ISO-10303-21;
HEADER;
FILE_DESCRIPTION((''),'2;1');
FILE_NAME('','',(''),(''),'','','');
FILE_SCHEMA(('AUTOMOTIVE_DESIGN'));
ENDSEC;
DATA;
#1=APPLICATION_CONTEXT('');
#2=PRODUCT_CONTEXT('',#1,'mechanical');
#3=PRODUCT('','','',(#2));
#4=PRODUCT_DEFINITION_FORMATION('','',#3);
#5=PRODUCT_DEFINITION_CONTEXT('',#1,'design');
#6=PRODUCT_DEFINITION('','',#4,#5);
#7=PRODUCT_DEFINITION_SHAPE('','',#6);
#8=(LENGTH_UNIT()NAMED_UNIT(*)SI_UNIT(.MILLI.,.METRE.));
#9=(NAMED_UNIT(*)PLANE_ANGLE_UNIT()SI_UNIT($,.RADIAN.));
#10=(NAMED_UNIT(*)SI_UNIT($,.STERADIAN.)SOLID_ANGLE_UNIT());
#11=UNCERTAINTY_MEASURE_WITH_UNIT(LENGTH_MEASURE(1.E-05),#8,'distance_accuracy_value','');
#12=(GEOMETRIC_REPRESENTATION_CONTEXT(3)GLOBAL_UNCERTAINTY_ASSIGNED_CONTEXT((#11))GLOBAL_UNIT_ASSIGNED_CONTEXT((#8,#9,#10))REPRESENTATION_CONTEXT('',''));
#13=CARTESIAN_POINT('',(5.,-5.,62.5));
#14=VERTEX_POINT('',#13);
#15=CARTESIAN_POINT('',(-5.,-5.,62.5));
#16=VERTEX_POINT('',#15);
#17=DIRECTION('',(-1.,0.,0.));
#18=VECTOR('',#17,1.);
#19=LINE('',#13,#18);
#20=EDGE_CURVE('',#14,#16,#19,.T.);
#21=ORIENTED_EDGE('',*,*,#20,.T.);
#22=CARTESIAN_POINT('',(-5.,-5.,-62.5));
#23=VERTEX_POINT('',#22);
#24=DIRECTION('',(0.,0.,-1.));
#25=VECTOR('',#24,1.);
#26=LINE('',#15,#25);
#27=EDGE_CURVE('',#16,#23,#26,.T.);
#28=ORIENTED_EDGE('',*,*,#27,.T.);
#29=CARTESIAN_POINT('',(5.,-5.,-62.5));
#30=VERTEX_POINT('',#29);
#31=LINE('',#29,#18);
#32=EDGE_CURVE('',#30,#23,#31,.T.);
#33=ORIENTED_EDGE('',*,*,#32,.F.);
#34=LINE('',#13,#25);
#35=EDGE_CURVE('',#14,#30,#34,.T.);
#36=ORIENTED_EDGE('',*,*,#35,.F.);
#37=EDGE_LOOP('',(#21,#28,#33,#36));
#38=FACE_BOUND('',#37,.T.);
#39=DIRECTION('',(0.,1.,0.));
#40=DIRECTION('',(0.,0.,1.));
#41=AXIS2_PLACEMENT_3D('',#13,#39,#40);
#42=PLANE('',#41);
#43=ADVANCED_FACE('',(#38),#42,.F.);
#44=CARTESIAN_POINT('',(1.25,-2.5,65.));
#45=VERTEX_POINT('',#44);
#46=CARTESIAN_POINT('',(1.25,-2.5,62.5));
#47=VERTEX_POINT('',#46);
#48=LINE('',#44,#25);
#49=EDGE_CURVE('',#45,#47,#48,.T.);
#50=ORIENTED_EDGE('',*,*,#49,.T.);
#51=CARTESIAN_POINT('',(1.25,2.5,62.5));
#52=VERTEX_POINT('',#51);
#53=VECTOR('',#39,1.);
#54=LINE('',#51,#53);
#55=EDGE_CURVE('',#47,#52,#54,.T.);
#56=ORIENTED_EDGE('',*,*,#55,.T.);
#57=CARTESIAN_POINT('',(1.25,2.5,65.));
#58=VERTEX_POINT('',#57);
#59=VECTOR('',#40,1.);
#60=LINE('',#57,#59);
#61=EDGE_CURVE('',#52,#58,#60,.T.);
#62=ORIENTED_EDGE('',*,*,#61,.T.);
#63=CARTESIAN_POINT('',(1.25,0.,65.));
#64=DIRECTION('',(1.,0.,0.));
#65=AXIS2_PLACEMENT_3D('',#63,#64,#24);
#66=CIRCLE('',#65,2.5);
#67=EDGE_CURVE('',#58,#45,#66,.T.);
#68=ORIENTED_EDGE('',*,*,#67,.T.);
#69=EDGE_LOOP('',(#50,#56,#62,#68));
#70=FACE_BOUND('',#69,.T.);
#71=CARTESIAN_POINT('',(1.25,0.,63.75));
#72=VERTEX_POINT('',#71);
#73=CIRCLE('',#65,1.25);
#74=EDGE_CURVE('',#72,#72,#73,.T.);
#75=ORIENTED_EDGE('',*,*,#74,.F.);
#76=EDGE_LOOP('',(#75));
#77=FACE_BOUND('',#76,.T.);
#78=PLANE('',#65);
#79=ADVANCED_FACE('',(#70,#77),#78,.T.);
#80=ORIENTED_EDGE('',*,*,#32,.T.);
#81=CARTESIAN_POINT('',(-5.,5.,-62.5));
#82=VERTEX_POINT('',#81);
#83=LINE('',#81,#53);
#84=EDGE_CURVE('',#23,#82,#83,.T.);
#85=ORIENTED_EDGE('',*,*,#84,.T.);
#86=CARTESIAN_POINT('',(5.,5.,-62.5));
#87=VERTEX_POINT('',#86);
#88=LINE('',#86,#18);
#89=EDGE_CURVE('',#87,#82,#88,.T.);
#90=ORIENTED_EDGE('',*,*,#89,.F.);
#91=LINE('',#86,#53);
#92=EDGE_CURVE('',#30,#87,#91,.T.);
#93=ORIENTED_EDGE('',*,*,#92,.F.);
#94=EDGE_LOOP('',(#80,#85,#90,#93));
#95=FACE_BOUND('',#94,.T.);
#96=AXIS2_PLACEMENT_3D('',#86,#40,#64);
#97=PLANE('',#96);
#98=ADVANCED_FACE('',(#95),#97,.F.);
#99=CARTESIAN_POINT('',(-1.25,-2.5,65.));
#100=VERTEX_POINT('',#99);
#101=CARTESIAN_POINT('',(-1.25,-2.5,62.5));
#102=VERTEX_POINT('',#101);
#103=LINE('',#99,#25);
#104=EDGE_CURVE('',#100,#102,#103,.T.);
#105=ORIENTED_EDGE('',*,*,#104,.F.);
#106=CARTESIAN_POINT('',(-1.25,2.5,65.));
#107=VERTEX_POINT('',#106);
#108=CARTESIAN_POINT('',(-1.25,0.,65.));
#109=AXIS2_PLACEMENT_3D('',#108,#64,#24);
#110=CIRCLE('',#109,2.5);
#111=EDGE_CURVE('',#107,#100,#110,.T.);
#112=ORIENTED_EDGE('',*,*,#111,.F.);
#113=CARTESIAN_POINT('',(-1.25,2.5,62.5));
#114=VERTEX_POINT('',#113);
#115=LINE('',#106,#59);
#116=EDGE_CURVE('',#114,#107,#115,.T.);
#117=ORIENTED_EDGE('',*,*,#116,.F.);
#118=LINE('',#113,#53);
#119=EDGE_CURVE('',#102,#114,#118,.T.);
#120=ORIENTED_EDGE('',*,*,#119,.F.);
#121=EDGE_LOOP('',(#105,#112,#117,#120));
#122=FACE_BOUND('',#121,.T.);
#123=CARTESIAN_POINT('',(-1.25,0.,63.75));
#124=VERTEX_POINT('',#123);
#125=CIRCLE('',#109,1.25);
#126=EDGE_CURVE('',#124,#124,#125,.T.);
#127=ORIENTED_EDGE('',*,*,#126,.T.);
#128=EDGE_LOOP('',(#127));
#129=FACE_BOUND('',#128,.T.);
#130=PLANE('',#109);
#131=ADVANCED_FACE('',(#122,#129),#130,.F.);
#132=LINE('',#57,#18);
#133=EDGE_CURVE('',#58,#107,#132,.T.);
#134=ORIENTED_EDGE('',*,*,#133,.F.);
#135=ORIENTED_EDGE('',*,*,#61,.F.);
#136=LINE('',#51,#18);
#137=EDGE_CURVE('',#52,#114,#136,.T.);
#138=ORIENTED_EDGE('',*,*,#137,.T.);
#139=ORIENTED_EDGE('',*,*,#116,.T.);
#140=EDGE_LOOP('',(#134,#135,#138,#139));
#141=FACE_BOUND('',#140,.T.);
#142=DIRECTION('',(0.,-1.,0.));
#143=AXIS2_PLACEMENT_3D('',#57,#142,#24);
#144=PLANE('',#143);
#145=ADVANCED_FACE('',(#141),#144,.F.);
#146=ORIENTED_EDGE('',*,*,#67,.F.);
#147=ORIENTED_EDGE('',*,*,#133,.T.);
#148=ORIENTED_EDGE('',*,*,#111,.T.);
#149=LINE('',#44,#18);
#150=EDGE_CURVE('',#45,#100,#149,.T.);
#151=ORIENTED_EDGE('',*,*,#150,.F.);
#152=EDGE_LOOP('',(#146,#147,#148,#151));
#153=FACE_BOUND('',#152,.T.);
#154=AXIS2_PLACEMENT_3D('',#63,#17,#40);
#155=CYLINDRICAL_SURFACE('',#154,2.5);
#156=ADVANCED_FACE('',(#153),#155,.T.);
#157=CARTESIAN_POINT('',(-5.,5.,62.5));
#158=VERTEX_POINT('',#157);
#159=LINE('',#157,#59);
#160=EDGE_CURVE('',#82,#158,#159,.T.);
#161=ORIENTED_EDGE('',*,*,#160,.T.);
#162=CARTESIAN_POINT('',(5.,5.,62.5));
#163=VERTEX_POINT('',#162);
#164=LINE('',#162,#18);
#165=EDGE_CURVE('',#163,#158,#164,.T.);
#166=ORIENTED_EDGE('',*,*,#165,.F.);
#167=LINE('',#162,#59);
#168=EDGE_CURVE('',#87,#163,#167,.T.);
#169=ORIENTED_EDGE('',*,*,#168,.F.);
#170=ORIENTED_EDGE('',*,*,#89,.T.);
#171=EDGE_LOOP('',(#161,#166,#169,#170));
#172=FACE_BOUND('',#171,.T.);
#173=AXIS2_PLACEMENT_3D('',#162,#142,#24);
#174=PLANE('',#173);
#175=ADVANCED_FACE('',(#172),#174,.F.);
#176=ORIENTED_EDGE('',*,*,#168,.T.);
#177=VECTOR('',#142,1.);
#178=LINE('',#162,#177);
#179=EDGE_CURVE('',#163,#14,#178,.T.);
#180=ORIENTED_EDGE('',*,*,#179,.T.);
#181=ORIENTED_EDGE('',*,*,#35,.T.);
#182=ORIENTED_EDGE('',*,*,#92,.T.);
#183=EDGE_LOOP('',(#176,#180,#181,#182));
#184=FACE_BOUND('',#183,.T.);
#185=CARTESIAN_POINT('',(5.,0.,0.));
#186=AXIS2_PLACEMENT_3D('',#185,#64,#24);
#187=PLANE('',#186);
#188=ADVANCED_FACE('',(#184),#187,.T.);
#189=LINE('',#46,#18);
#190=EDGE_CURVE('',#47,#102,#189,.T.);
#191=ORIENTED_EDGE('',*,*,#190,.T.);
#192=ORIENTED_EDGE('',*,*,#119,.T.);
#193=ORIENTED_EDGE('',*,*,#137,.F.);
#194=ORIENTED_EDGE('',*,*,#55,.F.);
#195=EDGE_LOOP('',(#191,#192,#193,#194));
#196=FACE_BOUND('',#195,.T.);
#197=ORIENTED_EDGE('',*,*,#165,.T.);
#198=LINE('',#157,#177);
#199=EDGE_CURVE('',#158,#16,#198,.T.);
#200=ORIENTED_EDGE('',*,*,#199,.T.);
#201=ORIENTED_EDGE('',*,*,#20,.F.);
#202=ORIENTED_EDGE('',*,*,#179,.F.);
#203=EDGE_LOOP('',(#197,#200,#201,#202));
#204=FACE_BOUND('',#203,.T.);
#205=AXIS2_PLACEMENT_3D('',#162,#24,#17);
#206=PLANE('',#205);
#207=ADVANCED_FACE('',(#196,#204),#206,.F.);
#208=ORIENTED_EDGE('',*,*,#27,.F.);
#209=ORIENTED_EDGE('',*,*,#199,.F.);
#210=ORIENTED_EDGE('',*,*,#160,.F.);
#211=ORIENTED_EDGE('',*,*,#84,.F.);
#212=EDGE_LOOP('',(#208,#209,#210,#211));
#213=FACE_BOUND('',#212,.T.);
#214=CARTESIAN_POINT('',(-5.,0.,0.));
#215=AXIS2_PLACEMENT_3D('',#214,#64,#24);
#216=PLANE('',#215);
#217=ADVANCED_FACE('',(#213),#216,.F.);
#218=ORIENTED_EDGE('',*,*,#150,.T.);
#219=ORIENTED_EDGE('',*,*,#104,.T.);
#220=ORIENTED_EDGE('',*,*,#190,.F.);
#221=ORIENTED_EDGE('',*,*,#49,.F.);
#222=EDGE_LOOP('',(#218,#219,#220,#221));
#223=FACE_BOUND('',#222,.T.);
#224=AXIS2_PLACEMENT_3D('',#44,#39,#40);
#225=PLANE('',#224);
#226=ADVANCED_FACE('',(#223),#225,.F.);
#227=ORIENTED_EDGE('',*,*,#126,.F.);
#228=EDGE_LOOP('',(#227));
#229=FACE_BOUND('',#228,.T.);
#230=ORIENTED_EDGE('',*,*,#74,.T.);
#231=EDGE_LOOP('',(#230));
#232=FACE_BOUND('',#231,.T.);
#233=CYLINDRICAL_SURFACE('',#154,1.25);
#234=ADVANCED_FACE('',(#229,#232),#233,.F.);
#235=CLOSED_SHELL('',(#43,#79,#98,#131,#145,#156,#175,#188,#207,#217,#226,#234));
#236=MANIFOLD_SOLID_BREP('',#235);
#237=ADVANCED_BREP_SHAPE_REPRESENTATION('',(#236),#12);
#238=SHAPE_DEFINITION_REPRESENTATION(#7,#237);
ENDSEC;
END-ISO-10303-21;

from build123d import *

# Parameters (mm, degrees)
SKETCH_2_W      = 125
SKETCH_2_H      = 10
EXTRUDE_1_DEPTH = 5
SKETCH_3_R      = 1.25
EXTRUDE_2_DEPTH = 1.25


with BuildPart() as part:
    # 스케치2 → 보스-돌출1 (new, symmetric)
    with BuildSketch(Plane(origin=(0, 0, 0), x_dir=(0, 0, -1), z_dir=(1, 0, 0))):
        Rectangle(SKETCH_2_W, SKETCH_2_H)
    extrude(amount=EXTRUDE_1_DEPTH, both=True)

    # 스케치3 → 보스-돌출2 (add, symmetric)
    with BuildSketch(Plane(origin=(0, 0, 0), x_dir=(0, 0, -1), z_dir=(1, 0, 0))):
        with BuildLine():
            Line((-65, 2.5), (-62.5, 2.5))
            Line((-62.5, 2.5), (-62.5, -2.5))
            Line((-62.5, -2.5), (-65, -2.5))
            ThreePointArc((-65, -2.5), (-67.5, 0), (-65, 2.5))
        make_face()
        with Locations((-65, 0)):
            Circle(SKETCH_3_R, mode=Mode.SUBTRACT)
    extrude(amount=EXTRUDE_2_DEPTH, both=True)


solid = part.part
